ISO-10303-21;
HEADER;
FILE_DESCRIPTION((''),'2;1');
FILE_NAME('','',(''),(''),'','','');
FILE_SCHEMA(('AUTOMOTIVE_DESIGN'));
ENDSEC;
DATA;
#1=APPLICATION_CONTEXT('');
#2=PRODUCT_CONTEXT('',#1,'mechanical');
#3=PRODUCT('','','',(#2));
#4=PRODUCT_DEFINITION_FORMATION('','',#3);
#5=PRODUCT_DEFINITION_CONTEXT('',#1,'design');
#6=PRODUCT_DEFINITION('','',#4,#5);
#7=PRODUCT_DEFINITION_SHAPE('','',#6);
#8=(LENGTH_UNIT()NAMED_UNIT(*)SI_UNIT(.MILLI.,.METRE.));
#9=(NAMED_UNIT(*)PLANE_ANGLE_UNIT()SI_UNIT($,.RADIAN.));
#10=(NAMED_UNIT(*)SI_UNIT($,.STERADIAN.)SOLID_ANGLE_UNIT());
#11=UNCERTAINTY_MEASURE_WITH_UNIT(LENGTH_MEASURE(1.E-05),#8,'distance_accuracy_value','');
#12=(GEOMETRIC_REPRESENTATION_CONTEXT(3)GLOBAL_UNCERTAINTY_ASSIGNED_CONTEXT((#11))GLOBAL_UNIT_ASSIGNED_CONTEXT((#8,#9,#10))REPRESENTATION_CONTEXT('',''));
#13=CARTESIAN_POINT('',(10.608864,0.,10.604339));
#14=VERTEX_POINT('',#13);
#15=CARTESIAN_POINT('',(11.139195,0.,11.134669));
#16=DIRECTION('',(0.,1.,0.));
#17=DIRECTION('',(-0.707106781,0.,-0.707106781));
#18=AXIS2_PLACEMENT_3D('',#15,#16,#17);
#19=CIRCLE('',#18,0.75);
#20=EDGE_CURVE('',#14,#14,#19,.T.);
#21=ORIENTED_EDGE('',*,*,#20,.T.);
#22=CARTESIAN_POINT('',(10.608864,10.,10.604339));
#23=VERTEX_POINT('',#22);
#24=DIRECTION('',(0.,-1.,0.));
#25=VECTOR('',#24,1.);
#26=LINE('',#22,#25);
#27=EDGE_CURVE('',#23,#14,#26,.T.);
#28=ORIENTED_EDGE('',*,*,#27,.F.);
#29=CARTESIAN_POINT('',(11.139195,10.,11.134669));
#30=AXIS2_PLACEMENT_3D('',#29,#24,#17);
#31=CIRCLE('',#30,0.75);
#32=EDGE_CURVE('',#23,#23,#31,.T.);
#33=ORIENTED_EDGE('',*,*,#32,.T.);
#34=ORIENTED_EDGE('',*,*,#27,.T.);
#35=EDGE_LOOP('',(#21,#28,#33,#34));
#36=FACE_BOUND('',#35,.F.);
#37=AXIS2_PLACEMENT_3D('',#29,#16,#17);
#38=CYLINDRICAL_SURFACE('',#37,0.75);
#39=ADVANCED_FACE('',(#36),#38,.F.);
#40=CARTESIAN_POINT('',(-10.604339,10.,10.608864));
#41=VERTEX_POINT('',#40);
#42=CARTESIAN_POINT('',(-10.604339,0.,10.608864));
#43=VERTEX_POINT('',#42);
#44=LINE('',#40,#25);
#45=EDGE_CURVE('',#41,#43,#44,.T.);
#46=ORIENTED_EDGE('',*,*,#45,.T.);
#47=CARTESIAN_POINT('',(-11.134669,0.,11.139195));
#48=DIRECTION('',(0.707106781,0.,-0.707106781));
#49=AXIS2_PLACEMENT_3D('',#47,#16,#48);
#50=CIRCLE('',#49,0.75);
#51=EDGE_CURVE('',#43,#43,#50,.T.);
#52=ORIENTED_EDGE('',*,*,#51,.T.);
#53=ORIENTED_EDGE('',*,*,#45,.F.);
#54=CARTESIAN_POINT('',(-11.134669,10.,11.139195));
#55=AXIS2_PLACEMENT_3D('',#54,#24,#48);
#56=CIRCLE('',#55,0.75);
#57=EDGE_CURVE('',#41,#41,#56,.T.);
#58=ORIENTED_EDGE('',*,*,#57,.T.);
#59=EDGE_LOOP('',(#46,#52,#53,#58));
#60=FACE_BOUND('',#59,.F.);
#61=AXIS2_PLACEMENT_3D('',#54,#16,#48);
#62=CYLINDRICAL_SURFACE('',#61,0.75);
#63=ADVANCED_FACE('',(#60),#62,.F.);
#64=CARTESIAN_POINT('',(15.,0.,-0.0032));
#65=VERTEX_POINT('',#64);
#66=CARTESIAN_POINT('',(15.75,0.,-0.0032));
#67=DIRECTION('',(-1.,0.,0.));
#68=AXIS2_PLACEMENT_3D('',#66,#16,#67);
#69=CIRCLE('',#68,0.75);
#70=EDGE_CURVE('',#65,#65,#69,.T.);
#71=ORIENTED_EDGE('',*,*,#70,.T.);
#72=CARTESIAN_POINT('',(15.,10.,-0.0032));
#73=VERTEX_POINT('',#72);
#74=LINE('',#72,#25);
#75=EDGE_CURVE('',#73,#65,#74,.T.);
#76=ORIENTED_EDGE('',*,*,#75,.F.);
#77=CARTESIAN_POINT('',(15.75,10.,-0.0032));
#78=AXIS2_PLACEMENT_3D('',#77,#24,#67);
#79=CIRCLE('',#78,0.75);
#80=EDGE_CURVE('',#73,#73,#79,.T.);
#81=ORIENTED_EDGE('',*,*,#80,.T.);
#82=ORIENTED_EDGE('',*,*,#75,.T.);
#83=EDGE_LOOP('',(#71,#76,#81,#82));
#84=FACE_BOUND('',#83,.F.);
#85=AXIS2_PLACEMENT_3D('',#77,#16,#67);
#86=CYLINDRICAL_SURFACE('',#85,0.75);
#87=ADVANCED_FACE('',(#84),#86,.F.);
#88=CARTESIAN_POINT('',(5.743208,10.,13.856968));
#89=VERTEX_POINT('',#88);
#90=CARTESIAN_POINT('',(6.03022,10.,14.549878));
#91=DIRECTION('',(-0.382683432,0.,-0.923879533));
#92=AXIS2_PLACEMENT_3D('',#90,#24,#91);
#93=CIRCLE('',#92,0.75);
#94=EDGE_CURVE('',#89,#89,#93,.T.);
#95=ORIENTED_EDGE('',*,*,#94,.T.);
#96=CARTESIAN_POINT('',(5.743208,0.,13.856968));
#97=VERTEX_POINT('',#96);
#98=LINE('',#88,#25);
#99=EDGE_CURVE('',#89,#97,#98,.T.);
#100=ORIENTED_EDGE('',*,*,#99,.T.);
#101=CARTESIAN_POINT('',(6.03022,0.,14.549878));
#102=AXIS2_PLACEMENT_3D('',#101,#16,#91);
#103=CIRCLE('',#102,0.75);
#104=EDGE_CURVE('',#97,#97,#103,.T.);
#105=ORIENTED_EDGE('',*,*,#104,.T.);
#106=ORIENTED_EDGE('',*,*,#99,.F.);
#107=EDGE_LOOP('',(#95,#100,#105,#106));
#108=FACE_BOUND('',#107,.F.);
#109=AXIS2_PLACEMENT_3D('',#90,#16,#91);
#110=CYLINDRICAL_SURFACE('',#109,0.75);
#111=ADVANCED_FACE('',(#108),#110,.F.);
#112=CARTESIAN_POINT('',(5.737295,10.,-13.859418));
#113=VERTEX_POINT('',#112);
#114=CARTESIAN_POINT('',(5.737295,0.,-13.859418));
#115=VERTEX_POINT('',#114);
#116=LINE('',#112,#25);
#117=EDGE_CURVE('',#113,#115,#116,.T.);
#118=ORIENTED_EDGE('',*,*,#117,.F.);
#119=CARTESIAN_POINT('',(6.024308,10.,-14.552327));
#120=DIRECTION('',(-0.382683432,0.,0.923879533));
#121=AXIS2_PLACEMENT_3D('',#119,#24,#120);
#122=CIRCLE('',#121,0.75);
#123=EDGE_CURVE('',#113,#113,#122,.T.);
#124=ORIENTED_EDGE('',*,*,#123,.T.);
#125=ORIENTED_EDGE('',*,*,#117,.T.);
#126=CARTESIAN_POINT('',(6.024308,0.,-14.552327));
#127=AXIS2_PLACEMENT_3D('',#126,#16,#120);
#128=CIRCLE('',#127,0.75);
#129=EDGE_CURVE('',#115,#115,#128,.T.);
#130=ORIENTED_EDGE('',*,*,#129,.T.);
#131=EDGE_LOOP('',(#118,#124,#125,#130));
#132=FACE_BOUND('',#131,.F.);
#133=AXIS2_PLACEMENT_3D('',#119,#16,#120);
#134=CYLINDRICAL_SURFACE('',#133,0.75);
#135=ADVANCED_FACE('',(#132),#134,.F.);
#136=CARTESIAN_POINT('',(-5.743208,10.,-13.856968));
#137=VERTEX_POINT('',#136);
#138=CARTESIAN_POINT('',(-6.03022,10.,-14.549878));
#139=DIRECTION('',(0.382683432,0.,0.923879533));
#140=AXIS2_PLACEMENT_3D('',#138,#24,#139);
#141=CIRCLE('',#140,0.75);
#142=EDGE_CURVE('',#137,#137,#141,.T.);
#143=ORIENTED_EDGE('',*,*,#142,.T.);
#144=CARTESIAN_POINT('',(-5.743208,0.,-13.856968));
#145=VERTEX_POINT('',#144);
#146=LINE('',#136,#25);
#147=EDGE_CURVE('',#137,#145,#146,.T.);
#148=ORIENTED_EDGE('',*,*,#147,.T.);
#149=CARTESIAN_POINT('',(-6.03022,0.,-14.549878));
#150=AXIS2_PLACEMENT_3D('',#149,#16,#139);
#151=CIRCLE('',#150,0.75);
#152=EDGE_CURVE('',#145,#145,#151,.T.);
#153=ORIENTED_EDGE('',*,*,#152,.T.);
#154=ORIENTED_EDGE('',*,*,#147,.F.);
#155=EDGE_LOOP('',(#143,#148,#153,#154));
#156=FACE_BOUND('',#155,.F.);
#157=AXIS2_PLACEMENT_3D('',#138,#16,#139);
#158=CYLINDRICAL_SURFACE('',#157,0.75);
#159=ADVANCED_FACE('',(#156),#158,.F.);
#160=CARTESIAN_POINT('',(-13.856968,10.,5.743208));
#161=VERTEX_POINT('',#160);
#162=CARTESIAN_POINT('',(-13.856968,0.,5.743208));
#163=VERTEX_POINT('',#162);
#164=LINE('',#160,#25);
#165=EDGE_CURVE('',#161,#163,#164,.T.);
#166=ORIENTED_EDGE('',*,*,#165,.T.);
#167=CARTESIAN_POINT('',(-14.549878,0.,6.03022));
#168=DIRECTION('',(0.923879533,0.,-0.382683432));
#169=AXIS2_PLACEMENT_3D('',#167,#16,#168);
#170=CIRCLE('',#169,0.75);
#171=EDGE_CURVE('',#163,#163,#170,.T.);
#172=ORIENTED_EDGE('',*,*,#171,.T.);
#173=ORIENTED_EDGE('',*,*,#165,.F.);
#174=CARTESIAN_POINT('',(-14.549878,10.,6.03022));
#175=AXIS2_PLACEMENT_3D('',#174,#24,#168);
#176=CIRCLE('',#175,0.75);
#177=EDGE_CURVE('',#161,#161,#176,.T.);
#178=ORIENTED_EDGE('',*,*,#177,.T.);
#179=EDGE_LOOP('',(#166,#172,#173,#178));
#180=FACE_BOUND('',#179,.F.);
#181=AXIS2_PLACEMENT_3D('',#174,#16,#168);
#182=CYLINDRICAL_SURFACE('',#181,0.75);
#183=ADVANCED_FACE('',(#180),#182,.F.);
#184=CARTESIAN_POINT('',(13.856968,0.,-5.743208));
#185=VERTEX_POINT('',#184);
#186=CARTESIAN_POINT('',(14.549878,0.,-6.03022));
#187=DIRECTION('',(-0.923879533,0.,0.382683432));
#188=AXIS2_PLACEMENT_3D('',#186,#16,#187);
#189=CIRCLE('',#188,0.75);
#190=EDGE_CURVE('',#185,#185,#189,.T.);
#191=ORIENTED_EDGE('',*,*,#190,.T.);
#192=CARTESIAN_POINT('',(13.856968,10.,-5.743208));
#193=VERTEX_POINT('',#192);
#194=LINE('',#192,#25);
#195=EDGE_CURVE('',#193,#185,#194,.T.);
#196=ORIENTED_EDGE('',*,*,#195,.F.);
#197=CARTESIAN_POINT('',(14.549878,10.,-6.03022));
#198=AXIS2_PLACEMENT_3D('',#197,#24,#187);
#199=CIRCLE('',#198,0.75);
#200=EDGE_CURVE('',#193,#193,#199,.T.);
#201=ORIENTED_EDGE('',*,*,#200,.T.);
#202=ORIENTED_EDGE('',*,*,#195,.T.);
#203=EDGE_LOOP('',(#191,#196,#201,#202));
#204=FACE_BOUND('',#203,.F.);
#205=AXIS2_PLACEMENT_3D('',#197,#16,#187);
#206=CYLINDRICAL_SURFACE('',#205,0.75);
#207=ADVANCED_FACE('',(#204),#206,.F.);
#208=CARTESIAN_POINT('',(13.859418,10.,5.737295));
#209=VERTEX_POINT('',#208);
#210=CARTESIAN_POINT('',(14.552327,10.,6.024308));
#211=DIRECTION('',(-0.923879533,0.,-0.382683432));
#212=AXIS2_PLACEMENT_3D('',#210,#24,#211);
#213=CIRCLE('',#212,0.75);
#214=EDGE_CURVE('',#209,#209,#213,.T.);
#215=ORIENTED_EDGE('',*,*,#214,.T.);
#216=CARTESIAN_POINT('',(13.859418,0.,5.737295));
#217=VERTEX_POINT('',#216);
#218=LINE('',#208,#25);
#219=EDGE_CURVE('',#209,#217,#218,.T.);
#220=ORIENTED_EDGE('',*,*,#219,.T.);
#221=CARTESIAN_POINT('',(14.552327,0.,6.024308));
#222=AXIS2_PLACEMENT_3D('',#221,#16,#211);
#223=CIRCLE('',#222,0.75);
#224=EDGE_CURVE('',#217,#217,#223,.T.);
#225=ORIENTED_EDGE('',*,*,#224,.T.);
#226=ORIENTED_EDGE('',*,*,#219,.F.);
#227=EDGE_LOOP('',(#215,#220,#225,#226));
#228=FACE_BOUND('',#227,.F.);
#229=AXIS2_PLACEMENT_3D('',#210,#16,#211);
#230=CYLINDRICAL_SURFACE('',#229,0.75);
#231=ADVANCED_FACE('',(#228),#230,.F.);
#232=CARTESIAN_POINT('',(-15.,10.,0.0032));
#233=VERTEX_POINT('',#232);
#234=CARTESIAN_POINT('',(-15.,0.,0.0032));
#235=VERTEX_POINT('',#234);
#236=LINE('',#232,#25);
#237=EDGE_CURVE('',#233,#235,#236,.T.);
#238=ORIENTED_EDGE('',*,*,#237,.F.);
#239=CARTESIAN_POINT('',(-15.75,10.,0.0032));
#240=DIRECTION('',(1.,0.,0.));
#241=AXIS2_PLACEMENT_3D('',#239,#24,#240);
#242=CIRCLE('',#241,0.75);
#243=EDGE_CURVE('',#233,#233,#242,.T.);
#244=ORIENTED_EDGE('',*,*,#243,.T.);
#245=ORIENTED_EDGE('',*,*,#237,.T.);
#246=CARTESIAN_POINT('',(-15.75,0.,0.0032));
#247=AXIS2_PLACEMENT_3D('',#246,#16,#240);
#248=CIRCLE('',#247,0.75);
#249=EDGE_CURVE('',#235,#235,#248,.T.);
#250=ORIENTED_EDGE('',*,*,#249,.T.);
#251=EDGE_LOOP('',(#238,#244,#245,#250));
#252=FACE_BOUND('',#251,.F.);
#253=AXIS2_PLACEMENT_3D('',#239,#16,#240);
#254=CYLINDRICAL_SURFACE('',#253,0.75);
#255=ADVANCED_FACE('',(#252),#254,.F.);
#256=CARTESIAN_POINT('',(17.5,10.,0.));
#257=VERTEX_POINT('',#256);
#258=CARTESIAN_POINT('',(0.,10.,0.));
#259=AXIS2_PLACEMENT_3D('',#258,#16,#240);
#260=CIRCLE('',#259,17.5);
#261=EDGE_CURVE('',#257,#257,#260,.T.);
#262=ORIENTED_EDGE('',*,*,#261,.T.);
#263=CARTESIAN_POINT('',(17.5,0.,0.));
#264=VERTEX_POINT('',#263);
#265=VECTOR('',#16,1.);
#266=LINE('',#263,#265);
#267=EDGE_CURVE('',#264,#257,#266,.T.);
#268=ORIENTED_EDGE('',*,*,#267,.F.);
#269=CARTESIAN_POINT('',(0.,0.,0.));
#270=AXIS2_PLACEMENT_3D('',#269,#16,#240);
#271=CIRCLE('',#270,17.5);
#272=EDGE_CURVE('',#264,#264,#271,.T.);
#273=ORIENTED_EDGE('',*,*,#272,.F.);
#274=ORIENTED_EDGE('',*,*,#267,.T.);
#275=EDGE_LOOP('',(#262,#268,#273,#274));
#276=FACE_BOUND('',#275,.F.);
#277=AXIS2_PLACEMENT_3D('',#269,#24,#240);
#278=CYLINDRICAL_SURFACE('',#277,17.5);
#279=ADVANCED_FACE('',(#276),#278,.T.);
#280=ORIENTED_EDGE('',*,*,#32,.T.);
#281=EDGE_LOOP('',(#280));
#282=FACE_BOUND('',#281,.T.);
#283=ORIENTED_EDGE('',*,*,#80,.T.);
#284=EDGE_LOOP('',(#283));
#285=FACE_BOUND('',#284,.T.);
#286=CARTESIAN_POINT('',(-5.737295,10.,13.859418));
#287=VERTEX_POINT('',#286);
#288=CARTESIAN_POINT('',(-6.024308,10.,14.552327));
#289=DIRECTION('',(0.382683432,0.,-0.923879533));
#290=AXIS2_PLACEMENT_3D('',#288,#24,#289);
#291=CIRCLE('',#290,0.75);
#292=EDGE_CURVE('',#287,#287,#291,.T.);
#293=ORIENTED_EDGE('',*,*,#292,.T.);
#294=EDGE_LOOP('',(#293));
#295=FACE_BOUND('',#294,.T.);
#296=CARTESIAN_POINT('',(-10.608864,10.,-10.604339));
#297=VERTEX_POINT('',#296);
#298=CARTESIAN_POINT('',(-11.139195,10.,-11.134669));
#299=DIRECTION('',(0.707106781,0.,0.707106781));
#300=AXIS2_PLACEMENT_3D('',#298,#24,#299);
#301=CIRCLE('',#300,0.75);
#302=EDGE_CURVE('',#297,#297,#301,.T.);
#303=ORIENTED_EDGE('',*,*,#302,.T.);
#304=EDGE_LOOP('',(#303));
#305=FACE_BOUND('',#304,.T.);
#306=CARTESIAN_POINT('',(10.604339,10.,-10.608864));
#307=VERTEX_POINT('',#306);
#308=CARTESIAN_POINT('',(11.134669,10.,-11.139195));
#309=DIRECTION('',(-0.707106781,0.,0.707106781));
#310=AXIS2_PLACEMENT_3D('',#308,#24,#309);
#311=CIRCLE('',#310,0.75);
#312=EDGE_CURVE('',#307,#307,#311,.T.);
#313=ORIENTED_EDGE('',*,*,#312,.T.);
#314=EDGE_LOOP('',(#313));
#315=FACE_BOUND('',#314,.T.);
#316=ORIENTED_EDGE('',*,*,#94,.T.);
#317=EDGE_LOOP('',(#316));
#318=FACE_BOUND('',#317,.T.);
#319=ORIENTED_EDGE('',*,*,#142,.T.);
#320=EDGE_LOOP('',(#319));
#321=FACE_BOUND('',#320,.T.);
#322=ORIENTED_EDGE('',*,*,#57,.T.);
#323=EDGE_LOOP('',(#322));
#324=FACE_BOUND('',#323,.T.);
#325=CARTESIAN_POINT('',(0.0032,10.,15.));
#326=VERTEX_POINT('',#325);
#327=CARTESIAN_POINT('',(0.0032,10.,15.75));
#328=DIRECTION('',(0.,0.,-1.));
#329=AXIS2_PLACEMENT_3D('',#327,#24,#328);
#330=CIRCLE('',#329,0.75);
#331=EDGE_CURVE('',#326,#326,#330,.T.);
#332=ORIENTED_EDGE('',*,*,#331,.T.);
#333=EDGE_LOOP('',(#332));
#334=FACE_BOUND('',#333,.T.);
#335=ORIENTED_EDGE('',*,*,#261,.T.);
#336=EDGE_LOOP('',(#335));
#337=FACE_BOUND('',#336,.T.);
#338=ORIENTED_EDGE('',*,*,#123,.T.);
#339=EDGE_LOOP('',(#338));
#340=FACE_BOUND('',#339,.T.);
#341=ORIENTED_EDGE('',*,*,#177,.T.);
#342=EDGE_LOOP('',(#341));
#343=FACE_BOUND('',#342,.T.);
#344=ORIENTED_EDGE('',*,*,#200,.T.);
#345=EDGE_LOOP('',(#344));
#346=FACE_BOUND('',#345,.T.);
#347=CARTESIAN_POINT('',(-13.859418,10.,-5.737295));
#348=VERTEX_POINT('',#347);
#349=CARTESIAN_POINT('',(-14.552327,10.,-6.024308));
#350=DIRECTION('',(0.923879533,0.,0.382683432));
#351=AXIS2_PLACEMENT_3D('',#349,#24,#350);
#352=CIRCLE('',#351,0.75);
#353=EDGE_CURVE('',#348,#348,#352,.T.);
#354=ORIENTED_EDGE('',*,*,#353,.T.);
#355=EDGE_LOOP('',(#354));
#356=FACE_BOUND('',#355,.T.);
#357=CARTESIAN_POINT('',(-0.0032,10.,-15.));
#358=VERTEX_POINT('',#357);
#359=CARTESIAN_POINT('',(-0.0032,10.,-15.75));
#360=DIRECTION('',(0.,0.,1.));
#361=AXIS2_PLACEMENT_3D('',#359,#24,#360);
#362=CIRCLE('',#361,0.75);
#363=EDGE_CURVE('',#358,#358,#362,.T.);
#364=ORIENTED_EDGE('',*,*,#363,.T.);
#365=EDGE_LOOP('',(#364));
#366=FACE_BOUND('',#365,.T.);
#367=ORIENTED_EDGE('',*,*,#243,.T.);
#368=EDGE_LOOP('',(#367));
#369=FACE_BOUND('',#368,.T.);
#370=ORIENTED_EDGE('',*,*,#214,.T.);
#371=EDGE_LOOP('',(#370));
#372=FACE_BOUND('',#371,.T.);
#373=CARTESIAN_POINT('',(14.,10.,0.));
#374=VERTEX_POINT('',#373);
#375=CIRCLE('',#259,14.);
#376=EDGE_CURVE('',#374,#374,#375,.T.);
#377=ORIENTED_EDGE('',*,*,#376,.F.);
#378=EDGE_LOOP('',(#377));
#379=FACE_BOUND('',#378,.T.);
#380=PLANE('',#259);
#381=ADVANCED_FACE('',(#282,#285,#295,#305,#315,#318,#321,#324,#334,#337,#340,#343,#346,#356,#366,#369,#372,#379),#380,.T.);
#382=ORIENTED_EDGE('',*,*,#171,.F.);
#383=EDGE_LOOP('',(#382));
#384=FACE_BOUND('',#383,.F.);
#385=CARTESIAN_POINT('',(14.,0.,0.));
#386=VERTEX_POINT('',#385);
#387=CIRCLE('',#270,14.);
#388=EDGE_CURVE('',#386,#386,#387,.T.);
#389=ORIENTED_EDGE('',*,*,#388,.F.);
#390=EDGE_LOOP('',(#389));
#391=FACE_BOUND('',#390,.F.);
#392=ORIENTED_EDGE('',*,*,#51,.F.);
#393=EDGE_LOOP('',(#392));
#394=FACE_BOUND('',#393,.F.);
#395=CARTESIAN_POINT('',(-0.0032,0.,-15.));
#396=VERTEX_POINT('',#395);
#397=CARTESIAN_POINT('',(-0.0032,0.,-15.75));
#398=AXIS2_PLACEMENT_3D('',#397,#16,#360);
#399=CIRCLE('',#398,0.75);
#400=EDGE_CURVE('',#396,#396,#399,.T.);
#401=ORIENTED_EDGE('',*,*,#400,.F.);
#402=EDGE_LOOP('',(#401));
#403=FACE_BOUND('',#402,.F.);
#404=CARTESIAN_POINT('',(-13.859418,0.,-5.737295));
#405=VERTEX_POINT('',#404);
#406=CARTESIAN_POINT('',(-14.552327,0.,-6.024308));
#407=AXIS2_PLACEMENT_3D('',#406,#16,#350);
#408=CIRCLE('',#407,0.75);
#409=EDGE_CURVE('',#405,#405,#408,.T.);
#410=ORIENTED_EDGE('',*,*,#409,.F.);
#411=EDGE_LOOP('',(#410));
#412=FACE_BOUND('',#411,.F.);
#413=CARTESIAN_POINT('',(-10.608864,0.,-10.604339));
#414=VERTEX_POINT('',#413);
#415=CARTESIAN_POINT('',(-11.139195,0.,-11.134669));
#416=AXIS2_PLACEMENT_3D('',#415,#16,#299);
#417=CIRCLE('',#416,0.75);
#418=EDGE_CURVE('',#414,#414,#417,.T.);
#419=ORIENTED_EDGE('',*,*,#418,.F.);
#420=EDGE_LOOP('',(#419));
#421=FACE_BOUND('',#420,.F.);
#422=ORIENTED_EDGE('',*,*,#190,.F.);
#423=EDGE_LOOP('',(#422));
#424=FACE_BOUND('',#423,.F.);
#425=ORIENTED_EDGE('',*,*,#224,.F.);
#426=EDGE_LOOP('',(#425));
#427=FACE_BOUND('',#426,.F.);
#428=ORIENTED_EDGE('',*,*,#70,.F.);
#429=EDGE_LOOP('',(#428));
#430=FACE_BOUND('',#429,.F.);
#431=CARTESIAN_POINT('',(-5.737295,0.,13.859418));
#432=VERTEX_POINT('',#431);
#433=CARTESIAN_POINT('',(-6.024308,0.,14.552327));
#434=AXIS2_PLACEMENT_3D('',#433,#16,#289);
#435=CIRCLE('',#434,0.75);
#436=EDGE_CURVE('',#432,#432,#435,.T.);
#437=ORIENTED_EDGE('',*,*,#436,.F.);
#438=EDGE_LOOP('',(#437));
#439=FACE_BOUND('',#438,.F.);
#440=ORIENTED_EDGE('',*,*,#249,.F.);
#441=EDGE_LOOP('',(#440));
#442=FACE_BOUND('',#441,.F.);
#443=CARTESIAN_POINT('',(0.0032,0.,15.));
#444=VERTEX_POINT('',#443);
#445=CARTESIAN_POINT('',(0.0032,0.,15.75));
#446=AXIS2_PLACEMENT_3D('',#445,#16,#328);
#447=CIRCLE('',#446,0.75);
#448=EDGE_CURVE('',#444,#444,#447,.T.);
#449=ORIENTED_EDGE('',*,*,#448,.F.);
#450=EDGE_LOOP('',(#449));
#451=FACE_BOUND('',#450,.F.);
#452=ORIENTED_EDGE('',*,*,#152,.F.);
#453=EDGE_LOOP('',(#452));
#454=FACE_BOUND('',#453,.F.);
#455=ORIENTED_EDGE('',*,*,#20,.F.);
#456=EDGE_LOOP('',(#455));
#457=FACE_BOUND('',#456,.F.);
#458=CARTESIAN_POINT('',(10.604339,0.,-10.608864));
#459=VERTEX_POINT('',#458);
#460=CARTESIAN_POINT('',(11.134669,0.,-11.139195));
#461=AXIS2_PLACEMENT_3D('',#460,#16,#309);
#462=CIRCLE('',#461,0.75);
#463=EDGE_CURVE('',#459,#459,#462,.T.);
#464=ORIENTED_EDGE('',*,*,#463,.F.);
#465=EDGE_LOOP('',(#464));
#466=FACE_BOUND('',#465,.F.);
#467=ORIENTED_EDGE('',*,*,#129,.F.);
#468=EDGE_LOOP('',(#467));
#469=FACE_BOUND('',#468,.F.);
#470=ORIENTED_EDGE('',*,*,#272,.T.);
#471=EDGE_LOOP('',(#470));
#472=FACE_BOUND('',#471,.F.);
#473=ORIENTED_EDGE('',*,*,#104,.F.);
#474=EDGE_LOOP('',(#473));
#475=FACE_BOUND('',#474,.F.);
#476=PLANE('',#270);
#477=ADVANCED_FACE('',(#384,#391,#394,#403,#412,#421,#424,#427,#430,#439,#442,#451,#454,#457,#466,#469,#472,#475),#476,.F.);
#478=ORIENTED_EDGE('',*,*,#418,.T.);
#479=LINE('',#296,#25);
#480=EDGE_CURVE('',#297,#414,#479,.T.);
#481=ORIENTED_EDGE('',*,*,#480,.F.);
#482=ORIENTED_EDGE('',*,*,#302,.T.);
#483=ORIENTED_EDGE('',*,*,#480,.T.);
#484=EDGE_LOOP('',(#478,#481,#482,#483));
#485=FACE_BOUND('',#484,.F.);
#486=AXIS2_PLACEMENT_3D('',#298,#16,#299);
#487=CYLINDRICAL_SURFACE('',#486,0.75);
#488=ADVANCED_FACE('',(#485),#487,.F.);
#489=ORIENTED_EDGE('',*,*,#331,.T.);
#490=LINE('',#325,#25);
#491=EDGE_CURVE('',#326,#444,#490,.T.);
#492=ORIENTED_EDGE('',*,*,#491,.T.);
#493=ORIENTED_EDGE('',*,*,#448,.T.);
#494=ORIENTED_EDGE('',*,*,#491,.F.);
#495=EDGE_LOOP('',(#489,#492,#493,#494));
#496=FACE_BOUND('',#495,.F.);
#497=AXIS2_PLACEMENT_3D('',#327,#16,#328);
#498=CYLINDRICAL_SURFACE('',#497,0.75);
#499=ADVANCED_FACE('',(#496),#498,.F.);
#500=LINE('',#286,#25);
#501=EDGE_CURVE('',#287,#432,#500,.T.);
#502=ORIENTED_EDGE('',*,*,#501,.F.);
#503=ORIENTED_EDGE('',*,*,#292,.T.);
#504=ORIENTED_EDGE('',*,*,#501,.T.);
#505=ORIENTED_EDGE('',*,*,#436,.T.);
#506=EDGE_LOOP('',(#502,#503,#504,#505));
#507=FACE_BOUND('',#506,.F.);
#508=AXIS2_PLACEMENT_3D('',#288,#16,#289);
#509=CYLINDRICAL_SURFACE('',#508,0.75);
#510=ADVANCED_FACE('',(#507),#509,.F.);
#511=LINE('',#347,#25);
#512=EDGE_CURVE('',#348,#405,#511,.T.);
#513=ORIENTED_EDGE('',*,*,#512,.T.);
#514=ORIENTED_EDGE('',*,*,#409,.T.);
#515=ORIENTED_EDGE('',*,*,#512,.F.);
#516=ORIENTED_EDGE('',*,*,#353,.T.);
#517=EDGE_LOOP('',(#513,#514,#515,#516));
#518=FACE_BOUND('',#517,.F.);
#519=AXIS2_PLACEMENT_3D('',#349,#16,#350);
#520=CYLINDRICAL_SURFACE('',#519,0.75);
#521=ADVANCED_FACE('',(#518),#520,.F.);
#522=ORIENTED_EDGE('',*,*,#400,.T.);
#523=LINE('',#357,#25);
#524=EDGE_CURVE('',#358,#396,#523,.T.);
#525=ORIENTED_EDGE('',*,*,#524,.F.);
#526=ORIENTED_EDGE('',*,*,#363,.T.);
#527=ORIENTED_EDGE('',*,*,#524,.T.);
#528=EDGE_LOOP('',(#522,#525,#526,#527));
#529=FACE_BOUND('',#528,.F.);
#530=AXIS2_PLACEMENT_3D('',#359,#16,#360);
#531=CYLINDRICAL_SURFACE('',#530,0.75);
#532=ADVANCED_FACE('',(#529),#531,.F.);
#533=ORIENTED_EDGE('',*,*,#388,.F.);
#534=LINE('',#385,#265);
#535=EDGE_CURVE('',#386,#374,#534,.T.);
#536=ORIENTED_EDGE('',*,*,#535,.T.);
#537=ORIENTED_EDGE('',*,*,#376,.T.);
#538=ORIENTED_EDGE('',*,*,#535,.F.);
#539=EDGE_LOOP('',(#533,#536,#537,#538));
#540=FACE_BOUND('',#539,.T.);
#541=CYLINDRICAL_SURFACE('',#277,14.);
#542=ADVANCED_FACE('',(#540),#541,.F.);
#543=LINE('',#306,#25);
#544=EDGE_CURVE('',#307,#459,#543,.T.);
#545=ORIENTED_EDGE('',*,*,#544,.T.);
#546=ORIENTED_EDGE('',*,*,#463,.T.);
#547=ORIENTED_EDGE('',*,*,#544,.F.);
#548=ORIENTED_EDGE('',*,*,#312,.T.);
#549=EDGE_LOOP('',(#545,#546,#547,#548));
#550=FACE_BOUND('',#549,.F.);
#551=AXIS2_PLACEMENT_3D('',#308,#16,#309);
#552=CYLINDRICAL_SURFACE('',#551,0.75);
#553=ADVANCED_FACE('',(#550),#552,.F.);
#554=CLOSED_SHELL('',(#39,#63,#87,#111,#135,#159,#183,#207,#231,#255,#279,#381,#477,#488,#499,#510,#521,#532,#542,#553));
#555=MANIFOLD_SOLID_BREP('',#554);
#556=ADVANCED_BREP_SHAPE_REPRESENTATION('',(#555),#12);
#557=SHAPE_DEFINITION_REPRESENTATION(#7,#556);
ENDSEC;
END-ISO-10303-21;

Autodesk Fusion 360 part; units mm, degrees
sketch "Sketch1" plane through (0, 0, 0) normal (0, 1, 0) x (1, 0, 0)
  circle A0 centre (0, 0) radius 17.5
  circle A1 centre (0, 0) radius 14
  dimension "d1" = 35
  dimension "d2" = 28
extrude "Extrude1" add sketch "Sketch1" along normal blind 10
sketch "Sketch2" plane through (0, 10, 0) normal (0, 1, 0) x (-1, 0, 0)
  circle A0 centre (0, 0) radius 14
  circle A1 centre (0, 0) radius 17.5
  line L0 (-14, -0.0032) -> (-17.5, -0.0032)
  circle A2 centre (-15.75, -0.0032) radius 0.75
  dimension "d5" = 3.5
  dimension "d6" = 1.5
extrude "Extrude2" cut sketch "Sketch2" against normal blind 10 contours L0 A2 | L0 A2
pattern_circular "C-Pattern1" count 16 over 360 about axis through (0, 1.75, 0) along (0, 1, 0) of "Extrude2"
